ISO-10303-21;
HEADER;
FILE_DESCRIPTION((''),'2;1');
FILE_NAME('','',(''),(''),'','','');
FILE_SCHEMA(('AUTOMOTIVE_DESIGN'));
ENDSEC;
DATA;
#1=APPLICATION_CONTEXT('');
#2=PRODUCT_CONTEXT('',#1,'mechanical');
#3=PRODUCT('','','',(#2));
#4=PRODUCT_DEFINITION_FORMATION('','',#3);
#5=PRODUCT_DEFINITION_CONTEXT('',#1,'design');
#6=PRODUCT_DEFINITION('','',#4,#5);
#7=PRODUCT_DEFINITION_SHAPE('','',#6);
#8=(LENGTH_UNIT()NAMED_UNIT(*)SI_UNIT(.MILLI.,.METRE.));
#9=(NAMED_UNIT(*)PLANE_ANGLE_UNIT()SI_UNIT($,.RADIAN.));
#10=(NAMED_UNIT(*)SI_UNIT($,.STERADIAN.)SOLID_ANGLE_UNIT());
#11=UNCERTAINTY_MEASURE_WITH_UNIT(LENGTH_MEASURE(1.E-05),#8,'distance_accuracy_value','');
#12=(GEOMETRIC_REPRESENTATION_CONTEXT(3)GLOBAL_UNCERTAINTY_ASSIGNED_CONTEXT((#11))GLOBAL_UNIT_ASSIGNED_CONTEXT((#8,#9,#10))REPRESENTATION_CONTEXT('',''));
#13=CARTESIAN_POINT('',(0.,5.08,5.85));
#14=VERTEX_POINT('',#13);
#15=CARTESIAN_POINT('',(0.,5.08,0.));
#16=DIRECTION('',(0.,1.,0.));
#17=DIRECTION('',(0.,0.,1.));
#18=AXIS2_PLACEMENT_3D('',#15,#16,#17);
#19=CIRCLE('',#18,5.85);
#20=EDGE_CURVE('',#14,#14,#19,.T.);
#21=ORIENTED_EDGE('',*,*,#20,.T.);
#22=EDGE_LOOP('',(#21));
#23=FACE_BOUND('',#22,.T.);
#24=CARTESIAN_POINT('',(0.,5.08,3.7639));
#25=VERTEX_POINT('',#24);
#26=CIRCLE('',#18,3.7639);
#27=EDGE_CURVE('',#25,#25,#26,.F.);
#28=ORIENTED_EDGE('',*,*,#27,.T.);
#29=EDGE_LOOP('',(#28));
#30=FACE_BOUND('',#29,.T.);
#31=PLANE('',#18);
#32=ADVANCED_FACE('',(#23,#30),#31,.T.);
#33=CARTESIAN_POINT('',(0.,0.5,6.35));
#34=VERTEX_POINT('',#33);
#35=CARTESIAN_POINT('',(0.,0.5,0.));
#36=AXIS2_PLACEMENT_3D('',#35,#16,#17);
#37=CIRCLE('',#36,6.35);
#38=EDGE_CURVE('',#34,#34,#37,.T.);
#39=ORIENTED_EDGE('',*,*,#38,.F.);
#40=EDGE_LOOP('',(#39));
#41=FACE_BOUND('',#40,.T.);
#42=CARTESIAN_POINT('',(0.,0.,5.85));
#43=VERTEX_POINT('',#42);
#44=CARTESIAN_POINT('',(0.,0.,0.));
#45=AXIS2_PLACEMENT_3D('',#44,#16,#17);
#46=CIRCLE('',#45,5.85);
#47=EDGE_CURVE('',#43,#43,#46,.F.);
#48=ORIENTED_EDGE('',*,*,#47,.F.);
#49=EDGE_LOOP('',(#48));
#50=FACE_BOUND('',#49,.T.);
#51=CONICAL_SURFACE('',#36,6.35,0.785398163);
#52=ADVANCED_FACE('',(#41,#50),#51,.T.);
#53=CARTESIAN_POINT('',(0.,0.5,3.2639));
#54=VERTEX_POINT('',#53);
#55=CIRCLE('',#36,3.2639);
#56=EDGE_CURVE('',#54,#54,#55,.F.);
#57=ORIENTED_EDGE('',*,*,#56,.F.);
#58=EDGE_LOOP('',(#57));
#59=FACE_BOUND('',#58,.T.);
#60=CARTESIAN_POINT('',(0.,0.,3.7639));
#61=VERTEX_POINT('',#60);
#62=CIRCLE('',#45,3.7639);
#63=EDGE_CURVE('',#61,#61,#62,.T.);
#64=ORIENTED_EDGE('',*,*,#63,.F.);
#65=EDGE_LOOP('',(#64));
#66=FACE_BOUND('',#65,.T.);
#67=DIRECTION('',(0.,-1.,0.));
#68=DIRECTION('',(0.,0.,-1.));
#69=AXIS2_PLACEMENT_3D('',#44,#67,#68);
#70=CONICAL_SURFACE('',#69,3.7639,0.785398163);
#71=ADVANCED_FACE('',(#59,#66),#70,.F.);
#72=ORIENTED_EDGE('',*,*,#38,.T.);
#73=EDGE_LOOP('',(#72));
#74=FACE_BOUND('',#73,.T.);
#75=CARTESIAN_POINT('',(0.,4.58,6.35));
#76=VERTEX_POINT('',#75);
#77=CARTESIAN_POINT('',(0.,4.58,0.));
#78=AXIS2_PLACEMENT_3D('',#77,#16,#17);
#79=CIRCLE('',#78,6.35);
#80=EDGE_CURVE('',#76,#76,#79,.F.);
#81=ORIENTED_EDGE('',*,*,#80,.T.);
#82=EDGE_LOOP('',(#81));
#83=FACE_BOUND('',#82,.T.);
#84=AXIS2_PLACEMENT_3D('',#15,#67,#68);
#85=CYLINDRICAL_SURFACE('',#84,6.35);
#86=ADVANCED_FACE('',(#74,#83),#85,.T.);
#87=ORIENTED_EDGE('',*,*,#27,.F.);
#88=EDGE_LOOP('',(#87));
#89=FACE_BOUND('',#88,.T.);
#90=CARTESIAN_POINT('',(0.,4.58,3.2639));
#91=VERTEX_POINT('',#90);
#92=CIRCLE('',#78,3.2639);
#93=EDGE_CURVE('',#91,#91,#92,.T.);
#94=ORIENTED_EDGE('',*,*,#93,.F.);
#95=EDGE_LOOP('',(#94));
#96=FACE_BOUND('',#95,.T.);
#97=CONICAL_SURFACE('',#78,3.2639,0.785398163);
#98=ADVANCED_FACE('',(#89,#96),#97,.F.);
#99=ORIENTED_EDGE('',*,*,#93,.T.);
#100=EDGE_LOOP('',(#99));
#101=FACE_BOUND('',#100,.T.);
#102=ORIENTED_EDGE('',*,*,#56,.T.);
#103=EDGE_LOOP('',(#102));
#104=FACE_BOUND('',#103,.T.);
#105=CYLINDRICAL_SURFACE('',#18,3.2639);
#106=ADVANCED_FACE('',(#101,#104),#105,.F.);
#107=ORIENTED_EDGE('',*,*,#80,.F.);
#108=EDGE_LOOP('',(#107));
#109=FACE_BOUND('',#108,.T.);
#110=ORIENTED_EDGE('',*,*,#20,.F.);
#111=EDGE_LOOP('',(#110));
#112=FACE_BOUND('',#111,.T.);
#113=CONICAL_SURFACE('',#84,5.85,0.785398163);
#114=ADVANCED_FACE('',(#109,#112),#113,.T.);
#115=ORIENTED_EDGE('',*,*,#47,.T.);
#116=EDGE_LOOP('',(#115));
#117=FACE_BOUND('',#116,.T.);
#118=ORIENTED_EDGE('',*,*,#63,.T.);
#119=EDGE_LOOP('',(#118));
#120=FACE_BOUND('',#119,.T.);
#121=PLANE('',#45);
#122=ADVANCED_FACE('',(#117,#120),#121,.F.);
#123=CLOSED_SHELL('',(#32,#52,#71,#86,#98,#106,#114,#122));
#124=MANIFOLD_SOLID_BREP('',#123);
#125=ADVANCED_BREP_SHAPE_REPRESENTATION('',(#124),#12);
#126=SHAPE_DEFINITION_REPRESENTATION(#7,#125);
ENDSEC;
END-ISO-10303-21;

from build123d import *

# Parameters (mm, degrees)
SKETCH1_R                = 6.35
BOSS_EXTRUDE1_DEPTH      = 5.08
F_0_257_DIAMETER_HOLE1_D = 6.5278
CHAMFER1_SIZE            = 0.5


with BuildPart() as part:
    # Sketch1 → Boss-Extrude1 (new body)
    with BuildSketch(Plane(origin=(0, 0, 0), x_dir=(1, 0, 0), z_dir=(0, 1, 0))):
        with Locations(Location((0, 0, 0), (0, 0, 270))):
            Circle(SKETCH1_R)
    extrude(amount=BOSS_EXTRUDE1_DEPTH)

    # F (0.257) Diameter Hole1 (through all)
    with Locations(Plane(origin=(0, 5.08, 0), x_dir=(1, 0, 0), z_dir=(0, 1, 0))):
        with Locations((0, 0)):
            Hole(F_0_257_DIAMETER_HOLE1_D / 2)

    # Chamfer1
    chamfer1_edges = [part.edges().sort_by_distance(p)[0] for p in [
        (0, 0, -6.35),
        (0, 5.08, -6.35),
        (3.2639, 5.08, 0),
        (3.2639, 0, 0),
    ]]
    chamfer(chamfer1_edges, length=CHAMFER1_SIZE)


solid = part.part
